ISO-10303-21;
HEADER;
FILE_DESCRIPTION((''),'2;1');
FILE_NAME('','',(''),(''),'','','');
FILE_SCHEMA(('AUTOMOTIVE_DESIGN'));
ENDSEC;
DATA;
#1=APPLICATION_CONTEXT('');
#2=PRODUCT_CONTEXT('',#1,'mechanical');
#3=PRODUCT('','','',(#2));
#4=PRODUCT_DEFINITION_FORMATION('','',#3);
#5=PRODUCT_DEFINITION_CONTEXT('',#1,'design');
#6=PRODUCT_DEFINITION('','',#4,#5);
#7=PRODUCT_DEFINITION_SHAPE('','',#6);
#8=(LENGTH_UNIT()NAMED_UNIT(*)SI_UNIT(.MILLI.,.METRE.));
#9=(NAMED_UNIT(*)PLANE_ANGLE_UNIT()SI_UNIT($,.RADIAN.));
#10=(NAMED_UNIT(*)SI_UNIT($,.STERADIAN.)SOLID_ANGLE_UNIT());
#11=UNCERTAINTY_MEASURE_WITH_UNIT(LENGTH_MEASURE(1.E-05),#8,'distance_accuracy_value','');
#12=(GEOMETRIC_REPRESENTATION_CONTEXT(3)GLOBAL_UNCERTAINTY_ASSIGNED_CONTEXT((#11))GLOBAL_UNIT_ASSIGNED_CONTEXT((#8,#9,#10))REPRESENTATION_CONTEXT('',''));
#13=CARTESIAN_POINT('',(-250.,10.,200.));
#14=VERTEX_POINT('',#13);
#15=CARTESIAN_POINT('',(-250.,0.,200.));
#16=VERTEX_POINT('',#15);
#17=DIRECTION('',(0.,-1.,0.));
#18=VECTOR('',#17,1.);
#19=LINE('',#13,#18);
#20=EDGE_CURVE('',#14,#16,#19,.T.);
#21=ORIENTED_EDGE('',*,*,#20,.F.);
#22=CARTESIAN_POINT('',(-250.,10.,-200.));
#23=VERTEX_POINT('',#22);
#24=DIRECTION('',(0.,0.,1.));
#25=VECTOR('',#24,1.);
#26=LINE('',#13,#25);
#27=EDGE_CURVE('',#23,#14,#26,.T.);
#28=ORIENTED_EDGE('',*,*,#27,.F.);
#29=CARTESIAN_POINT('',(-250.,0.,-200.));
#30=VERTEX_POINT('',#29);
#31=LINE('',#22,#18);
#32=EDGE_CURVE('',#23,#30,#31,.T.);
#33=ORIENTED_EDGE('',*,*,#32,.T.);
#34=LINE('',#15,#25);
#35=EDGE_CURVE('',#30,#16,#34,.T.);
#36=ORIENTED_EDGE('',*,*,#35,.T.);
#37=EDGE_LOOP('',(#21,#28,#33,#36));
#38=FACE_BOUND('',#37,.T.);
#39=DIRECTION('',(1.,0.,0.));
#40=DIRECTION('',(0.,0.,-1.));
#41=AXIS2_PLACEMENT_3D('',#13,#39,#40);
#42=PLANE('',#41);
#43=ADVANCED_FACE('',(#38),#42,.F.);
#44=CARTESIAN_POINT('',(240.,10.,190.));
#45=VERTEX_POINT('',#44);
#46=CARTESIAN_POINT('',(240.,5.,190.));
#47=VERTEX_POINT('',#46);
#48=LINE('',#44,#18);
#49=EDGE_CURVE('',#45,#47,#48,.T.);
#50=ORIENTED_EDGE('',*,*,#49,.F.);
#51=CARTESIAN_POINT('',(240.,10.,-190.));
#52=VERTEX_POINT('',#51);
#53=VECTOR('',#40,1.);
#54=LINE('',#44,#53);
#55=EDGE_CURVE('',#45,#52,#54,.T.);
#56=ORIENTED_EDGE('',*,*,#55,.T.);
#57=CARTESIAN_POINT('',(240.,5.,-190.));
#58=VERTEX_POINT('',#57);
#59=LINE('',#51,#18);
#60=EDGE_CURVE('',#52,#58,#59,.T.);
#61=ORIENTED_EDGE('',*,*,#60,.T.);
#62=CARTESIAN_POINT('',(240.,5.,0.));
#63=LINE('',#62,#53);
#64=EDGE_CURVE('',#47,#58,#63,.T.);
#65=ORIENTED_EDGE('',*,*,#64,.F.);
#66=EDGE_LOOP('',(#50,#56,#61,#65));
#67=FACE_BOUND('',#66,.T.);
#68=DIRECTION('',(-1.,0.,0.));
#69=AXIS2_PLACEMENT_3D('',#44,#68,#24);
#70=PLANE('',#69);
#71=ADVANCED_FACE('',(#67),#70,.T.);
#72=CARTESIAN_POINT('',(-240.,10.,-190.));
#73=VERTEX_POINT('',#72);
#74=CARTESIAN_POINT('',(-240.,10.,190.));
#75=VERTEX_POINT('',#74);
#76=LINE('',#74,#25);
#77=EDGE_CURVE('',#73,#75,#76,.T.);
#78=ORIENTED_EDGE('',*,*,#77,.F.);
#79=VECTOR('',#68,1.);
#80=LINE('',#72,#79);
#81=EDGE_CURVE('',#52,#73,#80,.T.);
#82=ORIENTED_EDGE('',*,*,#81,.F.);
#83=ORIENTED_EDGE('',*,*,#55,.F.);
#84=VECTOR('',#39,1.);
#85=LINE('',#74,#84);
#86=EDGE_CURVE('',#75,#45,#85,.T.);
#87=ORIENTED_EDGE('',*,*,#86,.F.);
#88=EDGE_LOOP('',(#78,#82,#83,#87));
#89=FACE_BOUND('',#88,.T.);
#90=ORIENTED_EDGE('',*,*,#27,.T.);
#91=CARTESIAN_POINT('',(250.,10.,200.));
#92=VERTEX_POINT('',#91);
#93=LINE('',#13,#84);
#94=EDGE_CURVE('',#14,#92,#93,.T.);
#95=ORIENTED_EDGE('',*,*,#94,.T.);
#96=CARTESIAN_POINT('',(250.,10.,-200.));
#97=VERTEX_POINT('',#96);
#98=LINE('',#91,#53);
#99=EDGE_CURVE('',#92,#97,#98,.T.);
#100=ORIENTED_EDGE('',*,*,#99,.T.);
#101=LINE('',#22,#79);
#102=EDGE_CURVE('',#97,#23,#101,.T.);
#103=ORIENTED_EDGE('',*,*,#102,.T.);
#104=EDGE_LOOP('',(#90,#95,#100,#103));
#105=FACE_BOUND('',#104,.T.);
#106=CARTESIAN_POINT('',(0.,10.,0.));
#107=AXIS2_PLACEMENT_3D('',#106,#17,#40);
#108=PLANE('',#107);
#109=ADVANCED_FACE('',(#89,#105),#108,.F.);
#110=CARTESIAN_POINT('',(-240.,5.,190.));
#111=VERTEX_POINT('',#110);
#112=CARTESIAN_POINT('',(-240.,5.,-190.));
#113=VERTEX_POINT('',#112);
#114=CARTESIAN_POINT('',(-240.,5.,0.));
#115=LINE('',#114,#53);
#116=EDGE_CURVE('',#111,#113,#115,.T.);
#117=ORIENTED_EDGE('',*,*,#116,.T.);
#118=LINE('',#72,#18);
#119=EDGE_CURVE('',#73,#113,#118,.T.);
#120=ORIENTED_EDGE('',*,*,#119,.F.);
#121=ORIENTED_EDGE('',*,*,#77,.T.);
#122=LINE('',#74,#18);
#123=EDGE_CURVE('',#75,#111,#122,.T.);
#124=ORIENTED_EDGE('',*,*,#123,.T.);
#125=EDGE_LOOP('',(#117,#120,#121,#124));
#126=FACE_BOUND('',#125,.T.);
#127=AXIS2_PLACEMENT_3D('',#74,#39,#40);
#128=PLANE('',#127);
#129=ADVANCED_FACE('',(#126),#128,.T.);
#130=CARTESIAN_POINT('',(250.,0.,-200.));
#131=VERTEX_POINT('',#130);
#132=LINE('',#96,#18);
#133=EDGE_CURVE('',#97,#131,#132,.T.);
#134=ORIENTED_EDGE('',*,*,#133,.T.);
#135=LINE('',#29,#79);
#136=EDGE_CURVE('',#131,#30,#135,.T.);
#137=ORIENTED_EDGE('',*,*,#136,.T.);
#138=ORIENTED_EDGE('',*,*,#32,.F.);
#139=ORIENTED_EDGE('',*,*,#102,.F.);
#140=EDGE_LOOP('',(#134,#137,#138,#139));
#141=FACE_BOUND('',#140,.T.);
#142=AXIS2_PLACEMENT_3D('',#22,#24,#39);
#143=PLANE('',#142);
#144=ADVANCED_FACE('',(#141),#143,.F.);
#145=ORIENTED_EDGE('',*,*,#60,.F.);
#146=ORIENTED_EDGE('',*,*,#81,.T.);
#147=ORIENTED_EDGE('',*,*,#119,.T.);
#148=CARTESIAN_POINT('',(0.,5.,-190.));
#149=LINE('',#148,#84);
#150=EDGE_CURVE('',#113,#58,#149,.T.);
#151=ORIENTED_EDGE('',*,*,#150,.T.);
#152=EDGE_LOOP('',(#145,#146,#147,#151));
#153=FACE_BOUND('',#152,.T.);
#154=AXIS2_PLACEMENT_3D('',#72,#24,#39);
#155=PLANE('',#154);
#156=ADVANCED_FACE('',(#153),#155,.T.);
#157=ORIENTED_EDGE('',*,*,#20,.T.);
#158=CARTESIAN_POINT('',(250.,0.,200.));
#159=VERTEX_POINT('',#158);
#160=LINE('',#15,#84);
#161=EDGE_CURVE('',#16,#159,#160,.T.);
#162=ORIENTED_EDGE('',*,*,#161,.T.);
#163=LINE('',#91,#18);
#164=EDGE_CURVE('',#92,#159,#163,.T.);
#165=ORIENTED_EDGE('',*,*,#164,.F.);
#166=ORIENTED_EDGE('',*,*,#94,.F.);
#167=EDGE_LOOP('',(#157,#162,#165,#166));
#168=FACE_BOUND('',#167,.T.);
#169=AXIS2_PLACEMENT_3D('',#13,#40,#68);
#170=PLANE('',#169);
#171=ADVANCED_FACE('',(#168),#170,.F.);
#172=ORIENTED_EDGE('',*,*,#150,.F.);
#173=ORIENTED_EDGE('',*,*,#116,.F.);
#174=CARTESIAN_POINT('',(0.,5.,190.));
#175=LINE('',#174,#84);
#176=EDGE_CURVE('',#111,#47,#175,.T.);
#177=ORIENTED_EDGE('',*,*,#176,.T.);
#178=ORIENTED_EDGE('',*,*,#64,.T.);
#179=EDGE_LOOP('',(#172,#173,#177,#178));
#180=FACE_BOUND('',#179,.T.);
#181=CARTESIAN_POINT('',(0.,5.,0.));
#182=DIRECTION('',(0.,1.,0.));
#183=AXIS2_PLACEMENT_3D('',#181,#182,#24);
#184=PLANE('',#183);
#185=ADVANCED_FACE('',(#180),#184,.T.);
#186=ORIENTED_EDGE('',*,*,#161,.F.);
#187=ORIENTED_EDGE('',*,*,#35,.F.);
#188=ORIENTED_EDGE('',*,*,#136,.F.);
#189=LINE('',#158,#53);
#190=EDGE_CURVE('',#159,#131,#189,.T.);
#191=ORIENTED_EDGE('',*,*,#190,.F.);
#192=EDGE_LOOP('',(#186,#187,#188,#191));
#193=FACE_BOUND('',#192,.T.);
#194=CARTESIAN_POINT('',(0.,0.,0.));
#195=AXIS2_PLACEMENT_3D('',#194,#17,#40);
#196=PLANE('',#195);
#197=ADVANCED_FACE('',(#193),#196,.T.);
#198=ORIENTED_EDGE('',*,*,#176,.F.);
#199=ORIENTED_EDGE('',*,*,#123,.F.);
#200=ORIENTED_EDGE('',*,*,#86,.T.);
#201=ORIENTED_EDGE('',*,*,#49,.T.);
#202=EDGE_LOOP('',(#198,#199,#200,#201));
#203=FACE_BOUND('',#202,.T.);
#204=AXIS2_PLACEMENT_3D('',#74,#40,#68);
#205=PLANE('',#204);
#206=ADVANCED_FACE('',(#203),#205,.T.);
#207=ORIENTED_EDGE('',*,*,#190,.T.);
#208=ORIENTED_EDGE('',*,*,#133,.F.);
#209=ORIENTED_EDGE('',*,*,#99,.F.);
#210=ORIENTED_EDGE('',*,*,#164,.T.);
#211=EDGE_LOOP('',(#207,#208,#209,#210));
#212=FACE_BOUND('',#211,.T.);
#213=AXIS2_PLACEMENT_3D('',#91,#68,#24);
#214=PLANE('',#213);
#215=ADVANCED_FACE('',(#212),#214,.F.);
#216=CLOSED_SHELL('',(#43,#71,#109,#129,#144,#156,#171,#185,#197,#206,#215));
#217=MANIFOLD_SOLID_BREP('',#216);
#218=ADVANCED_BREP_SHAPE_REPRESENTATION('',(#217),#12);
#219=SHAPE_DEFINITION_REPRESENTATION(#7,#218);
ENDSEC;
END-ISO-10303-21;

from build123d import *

# Parameters (mm, degrees)
SKETCH1_W           = 500
SKETCH1_H           = 400
SKETCH1_W_2         = 480
SKETCH1_H_2         = 380
BOSS_EXTRUDE1_DEPTH = 10
SKETCH1_3_W         = 480
SKETCH1_3_H         = 380
BOSS_EXTRUDE3_DEPTH = 5


with BuildPart() as part:
    # Sketch1 → Boss-Extrude1 (new body)
    with BuildSketch(Plane(origin=(0, 0, 0), x_dir=(1, 0, 0), z_dir=(0, 1, 0))):
        Rectangle(SKETCH1_W, SKETCH1_H)
        Rectangle(SKETCH1_W_2, SKETCH1_H_2, mode=Mode.SUBTRACT)
    extrude(amount=BOSS_EXTRUDE1_DEPTH)

    # Sketch1<3> → Boss-Extrude3 (add)
    with BuildSketch(Plane(origin=(0, 0, 0), x_dir=(1, 0, 0), z_dir=(0, 1, 0))):
        Rectangle(SKETCH1_3_W, SKETCH1_3_H)
    extrude(amount=BOSS_EXTRUDE3_DEPTH)


solid = part.part
